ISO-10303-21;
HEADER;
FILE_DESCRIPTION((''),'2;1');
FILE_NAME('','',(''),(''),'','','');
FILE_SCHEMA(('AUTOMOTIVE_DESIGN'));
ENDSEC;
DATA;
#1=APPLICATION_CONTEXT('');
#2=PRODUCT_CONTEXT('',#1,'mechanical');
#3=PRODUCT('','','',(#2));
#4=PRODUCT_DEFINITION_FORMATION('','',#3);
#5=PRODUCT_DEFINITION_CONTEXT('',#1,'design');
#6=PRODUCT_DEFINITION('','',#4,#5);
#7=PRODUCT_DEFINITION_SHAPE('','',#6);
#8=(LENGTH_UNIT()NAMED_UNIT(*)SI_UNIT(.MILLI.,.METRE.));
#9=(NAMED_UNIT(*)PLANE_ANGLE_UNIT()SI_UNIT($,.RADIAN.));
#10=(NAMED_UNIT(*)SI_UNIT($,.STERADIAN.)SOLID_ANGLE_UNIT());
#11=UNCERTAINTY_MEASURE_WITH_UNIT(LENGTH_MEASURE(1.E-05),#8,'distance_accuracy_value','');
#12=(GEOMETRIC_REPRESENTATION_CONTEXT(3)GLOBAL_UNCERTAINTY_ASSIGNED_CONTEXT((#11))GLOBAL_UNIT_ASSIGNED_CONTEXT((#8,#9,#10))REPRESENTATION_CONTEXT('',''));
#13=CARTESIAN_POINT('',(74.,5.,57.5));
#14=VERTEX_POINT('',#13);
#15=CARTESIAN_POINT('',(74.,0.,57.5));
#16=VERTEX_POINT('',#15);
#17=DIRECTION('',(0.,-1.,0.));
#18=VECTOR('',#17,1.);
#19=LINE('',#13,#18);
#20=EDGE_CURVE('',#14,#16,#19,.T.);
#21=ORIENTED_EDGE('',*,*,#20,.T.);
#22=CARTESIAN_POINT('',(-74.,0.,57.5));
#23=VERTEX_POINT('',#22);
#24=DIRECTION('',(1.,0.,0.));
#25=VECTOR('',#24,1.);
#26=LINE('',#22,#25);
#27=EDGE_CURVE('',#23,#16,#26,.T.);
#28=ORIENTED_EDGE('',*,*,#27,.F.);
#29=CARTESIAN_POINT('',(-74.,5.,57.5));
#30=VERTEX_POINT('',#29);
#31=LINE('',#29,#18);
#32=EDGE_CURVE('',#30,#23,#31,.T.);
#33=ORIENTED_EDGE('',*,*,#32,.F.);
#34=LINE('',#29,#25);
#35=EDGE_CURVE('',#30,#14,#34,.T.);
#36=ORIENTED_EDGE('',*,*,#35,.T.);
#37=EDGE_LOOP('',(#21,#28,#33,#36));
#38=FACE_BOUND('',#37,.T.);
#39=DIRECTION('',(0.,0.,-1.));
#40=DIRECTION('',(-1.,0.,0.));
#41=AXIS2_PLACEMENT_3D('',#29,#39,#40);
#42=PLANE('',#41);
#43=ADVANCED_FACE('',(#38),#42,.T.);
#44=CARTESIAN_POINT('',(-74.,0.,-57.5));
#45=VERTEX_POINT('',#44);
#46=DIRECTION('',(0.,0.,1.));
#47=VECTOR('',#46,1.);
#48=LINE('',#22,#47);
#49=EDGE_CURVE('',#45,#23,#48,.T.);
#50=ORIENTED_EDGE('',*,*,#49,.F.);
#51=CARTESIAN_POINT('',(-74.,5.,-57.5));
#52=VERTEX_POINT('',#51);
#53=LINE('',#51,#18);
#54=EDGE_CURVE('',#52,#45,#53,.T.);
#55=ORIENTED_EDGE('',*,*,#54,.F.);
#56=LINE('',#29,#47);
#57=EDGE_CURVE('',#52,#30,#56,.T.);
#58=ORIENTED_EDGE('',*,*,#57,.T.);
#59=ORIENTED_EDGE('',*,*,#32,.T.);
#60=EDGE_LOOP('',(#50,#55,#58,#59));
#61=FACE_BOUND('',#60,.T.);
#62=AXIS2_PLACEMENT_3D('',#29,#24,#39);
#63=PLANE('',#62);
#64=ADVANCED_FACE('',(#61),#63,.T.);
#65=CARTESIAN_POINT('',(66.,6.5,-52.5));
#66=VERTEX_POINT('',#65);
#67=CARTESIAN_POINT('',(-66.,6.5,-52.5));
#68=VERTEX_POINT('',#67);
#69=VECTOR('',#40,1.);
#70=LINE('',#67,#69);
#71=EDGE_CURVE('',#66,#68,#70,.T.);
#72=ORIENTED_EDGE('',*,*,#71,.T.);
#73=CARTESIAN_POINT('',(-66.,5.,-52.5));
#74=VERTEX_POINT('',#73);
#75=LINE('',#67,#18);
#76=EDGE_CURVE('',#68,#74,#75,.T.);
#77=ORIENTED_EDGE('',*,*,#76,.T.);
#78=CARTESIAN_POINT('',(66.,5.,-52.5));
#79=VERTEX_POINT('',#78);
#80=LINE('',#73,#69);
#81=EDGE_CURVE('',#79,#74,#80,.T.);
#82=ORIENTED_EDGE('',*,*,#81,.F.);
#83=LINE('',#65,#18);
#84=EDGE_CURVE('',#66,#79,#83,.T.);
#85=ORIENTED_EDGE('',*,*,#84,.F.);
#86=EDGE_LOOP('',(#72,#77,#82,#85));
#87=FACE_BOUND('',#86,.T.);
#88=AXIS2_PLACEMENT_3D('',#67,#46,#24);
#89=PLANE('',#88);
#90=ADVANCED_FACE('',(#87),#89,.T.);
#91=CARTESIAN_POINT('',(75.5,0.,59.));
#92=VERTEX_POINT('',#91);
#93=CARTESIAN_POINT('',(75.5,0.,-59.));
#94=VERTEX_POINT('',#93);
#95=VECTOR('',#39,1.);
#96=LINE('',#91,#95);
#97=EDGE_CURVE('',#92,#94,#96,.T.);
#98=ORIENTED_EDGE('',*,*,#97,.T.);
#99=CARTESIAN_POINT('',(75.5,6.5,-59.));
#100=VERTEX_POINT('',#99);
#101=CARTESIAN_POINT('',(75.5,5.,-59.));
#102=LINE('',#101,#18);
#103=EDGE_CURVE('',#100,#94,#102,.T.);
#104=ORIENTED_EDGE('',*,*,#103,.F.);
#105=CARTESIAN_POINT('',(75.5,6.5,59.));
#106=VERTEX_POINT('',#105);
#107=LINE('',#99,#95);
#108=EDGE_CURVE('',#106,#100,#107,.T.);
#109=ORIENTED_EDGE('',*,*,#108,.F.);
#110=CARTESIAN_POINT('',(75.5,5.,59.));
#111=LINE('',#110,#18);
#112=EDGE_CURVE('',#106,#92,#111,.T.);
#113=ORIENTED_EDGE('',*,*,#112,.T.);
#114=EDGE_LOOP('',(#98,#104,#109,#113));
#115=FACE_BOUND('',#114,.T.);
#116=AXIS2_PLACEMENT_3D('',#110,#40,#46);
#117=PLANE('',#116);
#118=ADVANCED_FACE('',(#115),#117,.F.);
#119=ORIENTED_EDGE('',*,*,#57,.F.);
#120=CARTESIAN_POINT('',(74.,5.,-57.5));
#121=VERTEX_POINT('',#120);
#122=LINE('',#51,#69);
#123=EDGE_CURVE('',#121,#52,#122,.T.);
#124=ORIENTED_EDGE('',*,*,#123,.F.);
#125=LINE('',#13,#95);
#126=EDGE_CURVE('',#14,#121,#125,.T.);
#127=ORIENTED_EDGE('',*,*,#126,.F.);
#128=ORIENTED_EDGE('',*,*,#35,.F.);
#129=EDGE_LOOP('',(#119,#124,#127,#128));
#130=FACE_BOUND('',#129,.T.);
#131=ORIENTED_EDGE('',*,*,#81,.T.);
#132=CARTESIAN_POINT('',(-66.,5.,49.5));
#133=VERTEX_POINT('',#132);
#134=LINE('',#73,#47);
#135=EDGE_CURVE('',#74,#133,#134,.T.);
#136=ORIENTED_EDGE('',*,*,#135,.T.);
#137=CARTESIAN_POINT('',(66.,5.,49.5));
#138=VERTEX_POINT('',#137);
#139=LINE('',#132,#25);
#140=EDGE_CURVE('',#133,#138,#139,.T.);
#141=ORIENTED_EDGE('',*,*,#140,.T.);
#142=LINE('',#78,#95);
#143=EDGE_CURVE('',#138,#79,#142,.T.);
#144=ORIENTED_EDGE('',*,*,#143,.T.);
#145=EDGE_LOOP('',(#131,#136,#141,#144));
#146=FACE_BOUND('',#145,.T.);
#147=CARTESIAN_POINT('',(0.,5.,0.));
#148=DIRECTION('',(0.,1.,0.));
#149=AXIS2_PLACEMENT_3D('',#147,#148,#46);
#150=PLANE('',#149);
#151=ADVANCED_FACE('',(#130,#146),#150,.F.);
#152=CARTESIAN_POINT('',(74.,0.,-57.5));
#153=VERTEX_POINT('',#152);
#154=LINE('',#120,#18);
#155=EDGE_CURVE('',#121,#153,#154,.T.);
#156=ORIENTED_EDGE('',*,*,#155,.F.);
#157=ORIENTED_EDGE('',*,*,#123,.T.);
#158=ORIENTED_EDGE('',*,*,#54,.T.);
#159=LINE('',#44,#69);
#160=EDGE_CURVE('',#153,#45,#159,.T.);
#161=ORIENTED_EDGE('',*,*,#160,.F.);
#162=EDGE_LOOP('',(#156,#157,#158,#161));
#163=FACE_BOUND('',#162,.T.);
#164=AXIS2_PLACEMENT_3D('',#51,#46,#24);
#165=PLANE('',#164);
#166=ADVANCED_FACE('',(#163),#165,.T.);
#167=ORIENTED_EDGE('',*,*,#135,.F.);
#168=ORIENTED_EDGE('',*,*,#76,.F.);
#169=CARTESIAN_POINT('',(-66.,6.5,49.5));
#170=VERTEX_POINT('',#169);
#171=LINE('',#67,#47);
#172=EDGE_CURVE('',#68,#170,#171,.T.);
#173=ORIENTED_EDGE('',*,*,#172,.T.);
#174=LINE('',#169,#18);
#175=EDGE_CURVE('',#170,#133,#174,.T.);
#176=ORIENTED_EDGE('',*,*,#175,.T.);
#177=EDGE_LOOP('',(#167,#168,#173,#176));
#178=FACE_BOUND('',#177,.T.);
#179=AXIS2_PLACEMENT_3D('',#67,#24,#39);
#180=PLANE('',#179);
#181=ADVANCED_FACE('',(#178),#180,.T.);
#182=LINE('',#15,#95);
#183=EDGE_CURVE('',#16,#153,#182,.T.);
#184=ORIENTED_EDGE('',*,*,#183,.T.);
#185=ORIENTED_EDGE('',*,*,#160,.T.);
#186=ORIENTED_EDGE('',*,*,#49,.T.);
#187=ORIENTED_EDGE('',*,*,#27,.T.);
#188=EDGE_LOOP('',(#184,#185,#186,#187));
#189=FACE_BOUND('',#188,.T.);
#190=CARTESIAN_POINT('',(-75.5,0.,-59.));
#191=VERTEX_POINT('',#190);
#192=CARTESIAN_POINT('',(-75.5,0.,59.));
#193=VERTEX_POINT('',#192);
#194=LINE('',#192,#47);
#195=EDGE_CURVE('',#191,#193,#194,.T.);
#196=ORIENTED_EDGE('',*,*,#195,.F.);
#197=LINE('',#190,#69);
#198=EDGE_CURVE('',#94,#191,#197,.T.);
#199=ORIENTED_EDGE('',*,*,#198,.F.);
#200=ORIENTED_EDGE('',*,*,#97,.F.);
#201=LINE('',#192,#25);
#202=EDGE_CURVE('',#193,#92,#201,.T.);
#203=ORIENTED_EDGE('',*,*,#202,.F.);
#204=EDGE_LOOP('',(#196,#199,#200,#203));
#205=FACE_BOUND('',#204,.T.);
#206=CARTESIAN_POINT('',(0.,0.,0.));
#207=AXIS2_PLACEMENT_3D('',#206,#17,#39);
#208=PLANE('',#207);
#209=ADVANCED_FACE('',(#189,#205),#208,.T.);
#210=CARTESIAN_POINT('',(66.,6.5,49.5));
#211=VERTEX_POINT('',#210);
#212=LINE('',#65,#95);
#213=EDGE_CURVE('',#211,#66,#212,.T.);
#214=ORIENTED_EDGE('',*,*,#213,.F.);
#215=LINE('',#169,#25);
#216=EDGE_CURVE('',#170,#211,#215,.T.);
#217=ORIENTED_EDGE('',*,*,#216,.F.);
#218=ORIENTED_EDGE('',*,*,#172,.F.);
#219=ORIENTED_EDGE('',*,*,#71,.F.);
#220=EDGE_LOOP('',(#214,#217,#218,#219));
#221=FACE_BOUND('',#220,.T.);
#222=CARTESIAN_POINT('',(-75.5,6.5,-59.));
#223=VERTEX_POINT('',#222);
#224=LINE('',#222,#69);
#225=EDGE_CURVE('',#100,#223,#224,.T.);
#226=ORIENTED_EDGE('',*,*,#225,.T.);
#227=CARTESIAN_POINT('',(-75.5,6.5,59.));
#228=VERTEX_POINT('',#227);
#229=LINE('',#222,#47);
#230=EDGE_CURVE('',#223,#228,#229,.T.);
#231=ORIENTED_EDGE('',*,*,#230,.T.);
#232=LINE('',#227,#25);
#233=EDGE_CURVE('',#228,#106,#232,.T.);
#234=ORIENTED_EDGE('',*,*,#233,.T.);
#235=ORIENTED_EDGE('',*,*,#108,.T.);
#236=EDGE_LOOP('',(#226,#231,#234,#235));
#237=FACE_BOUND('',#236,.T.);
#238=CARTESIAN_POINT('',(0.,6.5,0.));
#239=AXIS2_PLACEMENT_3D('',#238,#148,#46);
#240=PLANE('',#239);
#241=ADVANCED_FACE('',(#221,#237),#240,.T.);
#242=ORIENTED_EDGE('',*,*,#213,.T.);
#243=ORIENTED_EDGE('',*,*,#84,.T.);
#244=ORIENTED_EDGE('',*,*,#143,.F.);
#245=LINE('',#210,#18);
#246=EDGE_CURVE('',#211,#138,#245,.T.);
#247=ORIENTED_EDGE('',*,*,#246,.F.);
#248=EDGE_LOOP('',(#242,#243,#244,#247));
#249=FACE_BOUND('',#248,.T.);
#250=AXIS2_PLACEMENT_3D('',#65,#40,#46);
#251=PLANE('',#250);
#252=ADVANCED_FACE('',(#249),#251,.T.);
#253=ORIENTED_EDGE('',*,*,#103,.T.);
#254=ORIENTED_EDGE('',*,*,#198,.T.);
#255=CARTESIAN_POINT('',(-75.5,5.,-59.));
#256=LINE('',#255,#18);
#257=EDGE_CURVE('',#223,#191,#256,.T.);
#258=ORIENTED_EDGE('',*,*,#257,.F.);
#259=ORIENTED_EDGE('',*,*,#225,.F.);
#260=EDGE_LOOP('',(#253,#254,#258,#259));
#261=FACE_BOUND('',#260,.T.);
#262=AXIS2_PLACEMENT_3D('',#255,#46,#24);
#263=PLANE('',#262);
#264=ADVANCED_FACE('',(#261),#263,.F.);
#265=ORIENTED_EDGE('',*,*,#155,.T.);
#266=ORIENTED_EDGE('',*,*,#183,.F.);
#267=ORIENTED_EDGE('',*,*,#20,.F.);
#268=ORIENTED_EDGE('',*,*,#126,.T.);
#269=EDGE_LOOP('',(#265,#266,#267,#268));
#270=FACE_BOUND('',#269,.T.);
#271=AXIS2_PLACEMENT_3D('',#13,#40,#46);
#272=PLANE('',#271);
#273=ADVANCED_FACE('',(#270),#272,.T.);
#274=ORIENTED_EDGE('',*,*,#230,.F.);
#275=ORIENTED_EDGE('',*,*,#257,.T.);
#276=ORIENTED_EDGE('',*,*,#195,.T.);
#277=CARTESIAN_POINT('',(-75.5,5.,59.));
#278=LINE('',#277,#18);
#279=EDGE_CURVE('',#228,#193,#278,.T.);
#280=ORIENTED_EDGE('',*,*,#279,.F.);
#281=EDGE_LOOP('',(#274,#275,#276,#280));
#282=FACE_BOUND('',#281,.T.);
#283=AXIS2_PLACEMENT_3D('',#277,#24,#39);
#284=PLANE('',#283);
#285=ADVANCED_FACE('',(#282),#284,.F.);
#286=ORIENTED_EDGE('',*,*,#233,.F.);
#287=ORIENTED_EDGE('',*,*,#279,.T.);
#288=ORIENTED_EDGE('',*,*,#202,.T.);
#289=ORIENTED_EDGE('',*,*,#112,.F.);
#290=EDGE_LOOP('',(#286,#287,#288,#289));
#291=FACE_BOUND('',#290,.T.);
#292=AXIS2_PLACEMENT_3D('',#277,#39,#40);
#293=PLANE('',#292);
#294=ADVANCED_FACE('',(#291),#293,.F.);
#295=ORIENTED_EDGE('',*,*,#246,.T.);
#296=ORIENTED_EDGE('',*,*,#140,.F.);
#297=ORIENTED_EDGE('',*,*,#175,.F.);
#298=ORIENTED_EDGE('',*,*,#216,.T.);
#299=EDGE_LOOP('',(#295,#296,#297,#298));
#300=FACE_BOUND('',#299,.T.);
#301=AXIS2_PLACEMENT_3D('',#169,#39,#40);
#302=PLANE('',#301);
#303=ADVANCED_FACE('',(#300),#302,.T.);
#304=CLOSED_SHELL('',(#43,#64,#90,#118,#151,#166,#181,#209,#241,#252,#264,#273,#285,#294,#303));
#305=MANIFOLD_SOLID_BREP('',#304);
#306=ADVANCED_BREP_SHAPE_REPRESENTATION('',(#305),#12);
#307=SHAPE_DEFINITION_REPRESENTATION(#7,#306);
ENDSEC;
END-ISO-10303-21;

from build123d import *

# Parameters (mm, degrees)
SKETCH1_W           = 151
SKETCH1_H           = 118
SKETCH1_W_2         = 148
SKETCH1_H_2         = 115
BOSS_EXTRUDE1_DEPTH = 5
SKETCH2_W           = 151
SKETCH2_H           = 118
SKETCH2_W_2         = 132
SKETCH2_H_2         = 102
BOSS_EXTRUDE2_DEPTH = 1.5


with BuildPart() as part:
    # Sketch1 → Boss-Extrude1 (new body)
    with BuildSketch(Plane(origin=(0, 0, 0), x_dir=(1, 0, 0), z_dir=(0, 1, 0))):
        Rectangle(SKETCH1_W, SKETCH1_H)
        Rectangle(SKETCH1_W_2, SKETCH1_H_2, mode=Mode.SUBTRACT)
    extrude(amount=BOSS_EXTRUDE1_DEPTH)

    # Sketch2 → Boss-Extrude2 (add)
    with BuildSketch(Plane(origin=(0, 5, 0), x_dir=(1, 0, 0), z_dir=(0, 1, 0))):
        Rectangle(SKETCH2_W, SKETCH2_H)
        with Locations((0, 1.5)):
            Rectangle(SKETCH2_W_2, SKETCH2_H_2, mode=Mode.SUBTRACT)
    extrude(amount=BOSS_EXTRUDE2_DEPTH)


solid = part.part
